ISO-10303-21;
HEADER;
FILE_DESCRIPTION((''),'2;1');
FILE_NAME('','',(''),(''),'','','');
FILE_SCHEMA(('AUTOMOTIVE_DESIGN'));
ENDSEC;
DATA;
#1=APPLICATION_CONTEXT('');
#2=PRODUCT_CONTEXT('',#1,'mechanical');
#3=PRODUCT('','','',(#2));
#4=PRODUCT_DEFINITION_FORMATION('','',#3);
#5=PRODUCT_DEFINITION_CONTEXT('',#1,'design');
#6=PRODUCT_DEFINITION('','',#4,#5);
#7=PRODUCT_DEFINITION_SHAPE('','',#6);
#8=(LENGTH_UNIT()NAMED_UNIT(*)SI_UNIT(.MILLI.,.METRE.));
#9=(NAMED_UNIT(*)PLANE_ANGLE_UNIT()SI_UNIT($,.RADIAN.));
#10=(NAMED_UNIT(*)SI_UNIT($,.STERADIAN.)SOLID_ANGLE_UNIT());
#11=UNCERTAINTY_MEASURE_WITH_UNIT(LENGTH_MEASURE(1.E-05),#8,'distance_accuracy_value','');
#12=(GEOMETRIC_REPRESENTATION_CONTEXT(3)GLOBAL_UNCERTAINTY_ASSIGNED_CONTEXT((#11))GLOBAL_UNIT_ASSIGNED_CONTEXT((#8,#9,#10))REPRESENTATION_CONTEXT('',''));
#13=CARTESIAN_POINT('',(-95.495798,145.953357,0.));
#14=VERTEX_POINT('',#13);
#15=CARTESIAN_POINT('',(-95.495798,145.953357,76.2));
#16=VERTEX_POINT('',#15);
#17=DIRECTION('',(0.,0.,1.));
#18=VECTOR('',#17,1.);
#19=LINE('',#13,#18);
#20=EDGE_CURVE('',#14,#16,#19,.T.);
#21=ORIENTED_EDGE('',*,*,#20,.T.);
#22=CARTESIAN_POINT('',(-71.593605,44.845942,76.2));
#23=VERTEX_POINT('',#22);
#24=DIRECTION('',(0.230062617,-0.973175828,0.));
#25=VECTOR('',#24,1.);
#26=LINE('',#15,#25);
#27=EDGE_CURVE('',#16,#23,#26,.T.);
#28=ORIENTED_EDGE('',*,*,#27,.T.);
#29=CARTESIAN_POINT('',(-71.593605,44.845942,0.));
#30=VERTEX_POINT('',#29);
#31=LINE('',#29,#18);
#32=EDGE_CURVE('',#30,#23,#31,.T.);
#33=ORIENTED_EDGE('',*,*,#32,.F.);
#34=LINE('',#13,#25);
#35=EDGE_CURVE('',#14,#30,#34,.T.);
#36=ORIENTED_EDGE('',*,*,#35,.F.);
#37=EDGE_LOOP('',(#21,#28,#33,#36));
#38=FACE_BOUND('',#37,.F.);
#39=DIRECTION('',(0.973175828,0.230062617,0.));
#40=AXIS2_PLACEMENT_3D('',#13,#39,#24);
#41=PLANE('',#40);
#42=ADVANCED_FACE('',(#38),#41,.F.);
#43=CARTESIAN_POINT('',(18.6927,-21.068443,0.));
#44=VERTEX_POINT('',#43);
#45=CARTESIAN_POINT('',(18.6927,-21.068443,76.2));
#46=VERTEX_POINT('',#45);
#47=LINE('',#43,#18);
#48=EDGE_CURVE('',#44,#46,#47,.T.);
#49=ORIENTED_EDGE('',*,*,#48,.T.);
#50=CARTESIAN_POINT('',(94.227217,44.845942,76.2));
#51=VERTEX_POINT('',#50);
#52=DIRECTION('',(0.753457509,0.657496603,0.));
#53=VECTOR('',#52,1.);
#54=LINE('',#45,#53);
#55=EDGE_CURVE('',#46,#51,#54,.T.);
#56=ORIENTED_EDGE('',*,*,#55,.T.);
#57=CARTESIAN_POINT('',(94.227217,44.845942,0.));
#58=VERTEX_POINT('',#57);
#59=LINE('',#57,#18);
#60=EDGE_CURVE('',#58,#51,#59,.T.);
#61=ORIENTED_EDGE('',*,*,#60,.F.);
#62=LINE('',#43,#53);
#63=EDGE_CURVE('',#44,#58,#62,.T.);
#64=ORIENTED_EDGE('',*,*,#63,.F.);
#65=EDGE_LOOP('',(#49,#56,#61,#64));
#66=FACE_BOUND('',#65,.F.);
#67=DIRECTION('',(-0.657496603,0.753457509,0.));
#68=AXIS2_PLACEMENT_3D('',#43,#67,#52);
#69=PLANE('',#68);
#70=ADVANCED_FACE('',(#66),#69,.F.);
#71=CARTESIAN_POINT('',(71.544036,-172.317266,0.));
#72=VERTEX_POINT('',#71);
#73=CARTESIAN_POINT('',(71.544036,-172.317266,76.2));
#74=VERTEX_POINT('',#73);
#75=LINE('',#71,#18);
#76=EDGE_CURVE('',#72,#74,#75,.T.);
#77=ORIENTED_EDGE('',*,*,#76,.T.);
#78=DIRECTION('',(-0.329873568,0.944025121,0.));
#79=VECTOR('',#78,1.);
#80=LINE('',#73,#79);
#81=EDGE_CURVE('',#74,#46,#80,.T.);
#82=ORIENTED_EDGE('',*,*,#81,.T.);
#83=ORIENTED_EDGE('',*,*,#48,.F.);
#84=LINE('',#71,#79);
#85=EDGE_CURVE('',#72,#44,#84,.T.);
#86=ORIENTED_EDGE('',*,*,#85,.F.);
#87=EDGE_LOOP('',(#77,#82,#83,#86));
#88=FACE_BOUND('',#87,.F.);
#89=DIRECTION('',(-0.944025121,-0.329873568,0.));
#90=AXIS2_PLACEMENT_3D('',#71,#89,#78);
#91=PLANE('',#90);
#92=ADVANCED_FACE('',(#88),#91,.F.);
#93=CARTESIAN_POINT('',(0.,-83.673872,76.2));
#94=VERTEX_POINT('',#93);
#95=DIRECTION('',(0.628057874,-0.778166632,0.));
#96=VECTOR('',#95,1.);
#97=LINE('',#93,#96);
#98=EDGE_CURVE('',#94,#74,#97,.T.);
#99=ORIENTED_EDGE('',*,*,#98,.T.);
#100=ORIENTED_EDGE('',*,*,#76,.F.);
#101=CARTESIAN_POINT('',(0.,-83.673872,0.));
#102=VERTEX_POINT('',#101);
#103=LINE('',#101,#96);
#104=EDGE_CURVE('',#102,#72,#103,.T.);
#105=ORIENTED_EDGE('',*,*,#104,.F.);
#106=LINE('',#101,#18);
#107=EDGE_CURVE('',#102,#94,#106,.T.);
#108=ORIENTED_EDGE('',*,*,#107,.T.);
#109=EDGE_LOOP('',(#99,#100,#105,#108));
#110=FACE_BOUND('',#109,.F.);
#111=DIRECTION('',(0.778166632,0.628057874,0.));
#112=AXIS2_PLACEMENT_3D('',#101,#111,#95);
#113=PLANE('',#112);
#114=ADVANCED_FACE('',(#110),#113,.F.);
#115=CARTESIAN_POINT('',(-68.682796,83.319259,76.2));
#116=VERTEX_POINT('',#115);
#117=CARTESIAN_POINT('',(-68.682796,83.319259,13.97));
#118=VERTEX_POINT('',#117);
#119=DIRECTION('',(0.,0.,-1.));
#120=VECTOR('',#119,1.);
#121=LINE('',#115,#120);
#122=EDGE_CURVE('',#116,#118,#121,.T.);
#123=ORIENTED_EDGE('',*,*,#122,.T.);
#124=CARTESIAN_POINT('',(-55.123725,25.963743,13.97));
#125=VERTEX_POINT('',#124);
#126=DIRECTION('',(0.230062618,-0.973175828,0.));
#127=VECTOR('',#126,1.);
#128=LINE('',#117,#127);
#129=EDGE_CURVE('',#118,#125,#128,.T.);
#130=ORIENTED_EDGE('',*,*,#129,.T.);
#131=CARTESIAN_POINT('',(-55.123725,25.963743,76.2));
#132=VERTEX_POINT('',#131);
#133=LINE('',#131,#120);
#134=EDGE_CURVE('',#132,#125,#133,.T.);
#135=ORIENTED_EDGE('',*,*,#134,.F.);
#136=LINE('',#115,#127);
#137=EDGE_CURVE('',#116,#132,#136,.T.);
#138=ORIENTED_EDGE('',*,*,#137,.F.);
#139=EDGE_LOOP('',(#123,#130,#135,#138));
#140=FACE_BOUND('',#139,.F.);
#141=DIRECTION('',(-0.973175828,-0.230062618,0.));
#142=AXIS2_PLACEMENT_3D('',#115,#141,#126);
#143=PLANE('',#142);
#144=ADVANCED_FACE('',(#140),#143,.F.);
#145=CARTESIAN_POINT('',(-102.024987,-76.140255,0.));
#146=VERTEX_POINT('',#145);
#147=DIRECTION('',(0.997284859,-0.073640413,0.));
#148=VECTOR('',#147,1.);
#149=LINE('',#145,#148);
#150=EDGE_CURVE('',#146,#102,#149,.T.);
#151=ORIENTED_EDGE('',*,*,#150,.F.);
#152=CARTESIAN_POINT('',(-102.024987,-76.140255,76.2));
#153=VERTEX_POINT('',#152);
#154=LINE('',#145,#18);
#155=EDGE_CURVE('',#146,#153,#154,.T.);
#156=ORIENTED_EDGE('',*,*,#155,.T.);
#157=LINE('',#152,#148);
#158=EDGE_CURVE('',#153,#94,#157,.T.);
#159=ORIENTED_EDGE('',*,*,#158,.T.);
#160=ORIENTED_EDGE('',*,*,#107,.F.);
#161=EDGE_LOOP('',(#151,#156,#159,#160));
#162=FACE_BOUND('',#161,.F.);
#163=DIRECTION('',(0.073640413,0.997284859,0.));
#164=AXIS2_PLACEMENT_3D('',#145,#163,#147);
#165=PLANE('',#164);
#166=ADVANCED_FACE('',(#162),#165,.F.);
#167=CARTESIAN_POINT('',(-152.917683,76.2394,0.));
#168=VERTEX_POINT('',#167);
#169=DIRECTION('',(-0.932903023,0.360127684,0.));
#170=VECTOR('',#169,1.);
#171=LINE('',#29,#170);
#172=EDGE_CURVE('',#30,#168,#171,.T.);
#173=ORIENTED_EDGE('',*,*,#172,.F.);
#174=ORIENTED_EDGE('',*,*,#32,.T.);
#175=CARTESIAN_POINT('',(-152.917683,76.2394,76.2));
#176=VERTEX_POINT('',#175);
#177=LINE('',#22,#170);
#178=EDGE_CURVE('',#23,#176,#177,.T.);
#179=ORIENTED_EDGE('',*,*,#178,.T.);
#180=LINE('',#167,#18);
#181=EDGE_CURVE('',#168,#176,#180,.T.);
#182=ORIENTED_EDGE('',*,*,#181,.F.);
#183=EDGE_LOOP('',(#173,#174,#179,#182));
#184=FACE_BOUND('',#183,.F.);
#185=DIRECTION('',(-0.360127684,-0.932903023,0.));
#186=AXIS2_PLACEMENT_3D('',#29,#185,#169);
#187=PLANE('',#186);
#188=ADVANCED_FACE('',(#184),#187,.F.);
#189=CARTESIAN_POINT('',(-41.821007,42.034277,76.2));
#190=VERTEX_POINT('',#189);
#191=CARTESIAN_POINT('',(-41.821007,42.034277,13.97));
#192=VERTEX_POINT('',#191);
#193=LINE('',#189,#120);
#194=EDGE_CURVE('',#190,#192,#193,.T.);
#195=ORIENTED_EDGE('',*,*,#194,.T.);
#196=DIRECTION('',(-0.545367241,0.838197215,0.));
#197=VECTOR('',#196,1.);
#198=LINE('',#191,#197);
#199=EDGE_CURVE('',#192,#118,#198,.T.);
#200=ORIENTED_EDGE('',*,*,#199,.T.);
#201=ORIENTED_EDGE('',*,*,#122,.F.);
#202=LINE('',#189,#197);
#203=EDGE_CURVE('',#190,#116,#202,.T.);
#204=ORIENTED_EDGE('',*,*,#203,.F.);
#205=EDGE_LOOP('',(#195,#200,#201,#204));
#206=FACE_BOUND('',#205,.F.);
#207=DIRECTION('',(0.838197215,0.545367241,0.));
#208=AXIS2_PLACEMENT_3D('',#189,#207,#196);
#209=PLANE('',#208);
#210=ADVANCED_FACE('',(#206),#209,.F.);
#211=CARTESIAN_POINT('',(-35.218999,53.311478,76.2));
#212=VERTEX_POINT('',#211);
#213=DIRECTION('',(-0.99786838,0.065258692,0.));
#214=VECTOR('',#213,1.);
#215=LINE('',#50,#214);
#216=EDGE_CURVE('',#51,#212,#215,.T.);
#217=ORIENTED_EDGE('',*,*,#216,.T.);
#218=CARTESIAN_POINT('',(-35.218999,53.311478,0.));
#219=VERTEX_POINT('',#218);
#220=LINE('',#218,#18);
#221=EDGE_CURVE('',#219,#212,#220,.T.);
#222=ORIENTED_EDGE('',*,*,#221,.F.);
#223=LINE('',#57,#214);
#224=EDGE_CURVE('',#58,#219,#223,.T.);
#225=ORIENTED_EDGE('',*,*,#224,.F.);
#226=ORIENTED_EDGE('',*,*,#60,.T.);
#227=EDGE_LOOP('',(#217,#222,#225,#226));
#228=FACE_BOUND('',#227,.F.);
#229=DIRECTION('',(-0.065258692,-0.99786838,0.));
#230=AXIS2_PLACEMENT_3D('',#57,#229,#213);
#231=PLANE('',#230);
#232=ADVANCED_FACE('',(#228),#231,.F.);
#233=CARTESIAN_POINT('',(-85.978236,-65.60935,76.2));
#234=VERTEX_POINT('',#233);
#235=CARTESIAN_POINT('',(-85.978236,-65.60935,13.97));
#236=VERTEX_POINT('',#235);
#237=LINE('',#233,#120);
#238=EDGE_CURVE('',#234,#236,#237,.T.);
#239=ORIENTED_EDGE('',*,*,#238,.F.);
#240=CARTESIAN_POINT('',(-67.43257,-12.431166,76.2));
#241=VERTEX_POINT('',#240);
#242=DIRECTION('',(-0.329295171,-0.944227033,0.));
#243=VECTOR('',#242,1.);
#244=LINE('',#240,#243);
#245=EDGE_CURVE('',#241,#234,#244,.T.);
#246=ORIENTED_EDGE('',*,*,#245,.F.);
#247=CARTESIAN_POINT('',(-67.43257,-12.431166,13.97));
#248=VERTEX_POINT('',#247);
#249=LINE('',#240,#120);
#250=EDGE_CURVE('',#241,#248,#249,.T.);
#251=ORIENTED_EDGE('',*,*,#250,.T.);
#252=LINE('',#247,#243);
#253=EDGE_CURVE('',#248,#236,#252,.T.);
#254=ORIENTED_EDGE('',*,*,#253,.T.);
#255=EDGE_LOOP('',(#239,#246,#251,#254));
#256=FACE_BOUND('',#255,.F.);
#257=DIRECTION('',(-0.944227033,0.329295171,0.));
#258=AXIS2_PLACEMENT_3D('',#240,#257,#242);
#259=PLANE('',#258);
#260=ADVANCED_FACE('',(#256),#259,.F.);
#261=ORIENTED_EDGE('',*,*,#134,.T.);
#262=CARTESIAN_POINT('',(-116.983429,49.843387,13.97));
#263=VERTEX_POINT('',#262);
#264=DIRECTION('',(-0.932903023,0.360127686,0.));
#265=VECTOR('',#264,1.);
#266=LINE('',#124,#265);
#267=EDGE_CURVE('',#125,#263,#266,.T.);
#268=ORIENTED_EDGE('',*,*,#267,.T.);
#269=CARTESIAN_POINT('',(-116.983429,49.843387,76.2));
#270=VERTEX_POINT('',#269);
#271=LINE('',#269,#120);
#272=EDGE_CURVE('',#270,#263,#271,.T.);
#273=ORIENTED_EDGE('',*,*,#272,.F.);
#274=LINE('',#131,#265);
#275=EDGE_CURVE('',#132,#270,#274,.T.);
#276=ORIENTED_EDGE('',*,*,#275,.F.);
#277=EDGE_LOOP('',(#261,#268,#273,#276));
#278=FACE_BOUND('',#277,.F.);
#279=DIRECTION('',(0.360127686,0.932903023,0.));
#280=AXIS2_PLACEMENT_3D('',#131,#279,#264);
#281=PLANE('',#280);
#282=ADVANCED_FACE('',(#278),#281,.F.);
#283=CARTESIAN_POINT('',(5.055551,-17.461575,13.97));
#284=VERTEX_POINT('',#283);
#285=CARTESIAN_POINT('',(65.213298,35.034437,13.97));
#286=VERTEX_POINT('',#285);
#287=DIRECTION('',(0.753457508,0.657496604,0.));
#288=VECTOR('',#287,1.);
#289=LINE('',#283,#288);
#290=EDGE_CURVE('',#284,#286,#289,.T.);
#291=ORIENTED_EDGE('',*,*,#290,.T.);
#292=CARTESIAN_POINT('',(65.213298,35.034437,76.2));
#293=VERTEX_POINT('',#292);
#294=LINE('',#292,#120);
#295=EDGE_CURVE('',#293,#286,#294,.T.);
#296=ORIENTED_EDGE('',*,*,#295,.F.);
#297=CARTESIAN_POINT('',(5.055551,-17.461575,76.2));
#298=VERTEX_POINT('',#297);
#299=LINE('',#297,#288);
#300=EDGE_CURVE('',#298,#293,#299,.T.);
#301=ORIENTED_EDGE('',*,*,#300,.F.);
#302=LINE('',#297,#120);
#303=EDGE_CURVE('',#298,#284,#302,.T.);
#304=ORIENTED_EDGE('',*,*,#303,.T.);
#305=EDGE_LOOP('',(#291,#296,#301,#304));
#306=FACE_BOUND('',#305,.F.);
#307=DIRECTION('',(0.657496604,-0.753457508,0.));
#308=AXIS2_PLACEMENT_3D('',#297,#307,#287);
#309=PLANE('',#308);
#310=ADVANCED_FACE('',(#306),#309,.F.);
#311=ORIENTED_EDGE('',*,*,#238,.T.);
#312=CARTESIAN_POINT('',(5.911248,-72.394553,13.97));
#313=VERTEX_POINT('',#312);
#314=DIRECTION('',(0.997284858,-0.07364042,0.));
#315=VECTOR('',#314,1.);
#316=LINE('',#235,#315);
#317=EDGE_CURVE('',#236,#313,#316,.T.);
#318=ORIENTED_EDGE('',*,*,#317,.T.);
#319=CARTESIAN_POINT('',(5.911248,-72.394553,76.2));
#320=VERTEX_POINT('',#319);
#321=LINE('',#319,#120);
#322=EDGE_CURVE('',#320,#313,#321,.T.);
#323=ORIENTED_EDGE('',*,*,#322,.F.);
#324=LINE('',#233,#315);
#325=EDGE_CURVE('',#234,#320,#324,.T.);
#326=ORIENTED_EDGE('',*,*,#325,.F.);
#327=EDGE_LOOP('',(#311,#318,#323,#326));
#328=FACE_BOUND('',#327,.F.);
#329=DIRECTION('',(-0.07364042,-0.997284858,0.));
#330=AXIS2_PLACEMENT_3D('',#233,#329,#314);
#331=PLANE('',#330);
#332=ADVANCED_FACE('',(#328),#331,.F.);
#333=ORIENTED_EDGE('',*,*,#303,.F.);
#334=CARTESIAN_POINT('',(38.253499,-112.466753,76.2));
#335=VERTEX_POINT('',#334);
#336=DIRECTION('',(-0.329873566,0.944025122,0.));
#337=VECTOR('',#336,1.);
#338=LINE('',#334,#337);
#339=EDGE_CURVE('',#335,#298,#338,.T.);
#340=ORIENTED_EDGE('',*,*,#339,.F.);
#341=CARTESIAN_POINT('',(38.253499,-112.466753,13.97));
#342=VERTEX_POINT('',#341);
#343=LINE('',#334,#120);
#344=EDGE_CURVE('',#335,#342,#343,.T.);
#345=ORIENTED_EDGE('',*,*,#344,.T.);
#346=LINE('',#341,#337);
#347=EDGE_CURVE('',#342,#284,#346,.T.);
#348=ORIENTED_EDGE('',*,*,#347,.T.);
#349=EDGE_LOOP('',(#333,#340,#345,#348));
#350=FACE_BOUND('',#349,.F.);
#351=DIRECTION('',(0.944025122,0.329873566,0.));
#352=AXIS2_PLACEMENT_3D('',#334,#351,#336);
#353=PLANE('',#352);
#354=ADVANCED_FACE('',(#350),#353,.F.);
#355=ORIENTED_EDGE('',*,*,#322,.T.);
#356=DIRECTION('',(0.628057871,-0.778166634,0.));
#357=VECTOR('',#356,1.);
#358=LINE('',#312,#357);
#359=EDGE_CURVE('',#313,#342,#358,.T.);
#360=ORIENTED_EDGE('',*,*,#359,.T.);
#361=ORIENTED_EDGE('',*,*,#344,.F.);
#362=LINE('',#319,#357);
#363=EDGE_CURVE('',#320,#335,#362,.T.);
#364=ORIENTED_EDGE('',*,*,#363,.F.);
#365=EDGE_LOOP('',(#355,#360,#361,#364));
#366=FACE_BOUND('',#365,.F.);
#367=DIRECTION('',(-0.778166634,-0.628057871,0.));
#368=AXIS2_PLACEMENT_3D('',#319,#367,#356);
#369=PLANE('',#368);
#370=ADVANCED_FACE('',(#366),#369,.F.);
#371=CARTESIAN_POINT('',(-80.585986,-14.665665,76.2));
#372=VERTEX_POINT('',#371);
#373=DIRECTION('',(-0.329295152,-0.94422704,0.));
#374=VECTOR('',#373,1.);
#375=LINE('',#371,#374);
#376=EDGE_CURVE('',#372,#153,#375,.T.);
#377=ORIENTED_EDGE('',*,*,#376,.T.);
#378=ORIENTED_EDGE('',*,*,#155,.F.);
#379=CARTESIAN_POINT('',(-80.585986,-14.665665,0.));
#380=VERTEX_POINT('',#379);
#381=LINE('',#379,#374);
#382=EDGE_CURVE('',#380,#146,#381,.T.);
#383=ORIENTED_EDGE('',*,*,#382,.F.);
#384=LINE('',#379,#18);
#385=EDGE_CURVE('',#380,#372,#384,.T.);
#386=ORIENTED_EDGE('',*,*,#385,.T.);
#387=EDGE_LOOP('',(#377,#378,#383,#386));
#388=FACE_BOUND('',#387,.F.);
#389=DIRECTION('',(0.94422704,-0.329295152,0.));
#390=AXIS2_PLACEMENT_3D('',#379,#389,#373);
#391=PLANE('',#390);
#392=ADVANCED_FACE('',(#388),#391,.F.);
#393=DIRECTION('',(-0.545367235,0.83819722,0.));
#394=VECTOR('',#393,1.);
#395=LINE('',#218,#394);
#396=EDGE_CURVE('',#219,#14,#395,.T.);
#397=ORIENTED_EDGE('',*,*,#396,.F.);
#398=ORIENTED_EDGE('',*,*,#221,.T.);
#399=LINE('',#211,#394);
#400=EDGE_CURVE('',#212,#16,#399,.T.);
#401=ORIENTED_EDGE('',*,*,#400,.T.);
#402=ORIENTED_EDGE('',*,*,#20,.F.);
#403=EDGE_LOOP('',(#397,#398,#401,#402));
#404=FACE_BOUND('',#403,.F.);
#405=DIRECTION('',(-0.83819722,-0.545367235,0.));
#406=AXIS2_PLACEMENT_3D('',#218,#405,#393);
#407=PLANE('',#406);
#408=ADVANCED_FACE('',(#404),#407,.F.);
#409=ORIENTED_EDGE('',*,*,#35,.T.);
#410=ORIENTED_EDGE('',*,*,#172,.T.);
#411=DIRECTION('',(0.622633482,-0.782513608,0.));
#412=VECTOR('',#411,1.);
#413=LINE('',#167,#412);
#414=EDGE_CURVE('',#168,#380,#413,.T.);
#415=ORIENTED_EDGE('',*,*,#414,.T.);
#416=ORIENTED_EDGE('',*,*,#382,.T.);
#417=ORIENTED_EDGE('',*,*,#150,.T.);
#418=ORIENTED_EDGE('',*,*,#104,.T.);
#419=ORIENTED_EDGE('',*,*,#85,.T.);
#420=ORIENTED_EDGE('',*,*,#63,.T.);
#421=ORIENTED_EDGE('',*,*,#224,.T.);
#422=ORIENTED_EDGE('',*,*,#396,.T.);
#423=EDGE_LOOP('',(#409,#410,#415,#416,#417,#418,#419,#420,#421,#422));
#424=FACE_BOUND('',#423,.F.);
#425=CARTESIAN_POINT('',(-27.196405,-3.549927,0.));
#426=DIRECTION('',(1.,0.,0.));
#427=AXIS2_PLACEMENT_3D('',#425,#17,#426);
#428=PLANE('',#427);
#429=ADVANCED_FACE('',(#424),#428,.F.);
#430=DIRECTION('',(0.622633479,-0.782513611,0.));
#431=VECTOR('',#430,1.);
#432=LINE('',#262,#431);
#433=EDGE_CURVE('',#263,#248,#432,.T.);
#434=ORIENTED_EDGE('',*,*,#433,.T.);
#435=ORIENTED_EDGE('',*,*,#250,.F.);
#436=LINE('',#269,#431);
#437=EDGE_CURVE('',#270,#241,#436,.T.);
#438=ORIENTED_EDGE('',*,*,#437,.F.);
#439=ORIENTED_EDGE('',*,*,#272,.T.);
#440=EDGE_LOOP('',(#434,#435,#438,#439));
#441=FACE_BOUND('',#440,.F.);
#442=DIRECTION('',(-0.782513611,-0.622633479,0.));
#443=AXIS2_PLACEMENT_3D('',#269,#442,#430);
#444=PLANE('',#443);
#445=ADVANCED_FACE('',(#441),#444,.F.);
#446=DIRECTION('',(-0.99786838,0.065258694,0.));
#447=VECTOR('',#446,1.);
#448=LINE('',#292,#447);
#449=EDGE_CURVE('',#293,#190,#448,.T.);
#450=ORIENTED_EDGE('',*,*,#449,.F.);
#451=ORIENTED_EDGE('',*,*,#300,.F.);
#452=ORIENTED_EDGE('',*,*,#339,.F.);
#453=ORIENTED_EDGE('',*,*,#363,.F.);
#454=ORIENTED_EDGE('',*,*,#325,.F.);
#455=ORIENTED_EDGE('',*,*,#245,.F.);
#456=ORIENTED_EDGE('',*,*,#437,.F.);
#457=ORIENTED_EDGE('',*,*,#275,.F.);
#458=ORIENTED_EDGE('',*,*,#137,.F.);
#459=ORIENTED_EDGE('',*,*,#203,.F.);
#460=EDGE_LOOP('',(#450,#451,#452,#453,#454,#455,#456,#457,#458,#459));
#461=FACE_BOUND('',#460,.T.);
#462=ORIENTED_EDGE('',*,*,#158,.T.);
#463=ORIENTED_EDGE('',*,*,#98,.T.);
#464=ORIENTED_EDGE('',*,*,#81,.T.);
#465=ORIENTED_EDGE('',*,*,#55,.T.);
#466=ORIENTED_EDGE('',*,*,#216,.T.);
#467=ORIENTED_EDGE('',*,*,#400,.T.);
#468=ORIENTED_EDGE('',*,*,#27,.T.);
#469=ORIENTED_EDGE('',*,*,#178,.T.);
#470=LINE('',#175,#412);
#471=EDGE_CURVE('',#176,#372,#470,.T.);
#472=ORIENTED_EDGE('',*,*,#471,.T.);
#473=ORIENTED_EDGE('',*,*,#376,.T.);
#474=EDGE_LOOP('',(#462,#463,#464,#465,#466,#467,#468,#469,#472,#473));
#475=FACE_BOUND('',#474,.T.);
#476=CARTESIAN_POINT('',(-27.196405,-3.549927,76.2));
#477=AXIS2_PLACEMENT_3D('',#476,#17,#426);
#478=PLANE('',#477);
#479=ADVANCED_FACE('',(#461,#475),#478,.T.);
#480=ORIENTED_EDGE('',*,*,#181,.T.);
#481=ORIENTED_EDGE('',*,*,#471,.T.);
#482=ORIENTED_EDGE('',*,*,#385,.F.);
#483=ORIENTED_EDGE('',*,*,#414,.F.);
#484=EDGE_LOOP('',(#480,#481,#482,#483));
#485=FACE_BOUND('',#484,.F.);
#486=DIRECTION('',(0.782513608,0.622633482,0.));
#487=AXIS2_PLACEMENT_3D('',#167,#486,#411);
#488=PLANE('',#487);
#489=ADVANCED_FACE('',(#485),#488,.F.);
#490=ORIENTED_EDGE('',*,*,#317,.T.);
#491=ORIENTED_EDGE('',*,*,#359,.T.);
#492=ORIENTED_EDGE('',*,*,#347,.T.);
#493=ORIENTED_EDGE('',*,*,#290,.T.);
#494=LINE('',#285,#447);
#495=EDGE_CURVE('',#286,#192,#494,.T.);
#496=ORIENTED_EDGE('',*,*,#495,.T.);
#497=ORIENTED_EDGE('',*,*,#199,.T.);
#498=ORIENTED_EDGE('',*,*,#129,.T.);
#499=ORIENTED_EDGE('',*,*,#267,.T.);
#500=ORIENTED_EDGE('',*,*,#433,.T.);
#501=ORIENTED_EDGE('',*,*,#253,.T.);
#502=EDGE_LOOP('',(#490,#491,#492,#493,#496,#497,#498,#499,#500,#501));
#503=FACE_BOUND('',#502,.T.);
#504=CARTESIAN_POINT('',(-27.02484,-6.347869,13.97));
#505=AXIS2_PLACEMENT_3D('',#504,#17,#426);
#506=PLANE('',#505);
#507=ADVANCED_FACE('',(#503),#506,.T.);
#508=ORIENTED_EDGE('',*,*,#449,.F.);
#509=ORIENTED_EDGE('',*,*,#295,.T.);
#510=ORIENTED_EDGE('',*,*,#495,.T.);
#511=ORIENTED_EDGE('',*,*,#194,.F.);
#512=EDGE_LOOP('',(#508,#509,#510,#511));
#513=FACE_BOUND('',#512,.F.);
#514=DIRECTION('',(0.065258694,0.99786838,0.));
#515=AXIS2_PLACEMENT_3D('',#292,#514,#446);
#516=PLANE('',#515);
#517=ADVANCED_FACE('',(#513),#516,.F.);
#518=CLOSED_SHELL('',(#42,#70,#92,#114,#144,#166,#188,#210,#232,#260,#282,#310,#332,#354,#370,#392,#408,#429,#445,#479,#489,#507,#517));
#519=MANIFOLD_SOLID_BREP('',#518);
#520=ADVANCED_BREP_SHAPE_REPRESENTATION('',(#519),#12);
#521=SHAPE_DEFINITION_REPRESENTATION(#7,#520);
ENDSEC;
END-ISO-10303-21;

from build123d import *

# Parameters (mm, degrees)
F1_DEPTH = 76.2
F3_DEPTH = 62.23


with BuildPart() as f1:
    # F0 (on Top) → F1 (new body)
    with BuildSketch(Plane.XY):
        Polygon((94.227217, 44.845942), (-35.218999, 53.311478), (-95.495798, 145.953357), (-71.593605, 44.845942), (-152.917683, 76.2394), (-80.585986, -14.665665), (-102.024987, -76.140255), (0, -83.673872), (71.544036, -172.317266), (18.6927, -21.068443), align=None)
    extrude(amount=F1_DEPTH)

    # F2 (on face) → F3 (cut)
    with BuildSketch(Plane.XY.offset(76.2)):
        Polygon((5.911248, -72.394553), (38.253499, -112.466753), (5.055551, -17.461575), (65.213298, 35.034437), (-41.821007, 42.034277), (-68.682796, 83.319259), (-55.123725, 25.963743), (-116.983429, 49.843387), (-67.43257, -12.431166), (-85.978236, -65.60935), align=None)
    extrude(amount=-F3_DEPTH, mode=Mode.SUBTRACT)


solid = f1.part
